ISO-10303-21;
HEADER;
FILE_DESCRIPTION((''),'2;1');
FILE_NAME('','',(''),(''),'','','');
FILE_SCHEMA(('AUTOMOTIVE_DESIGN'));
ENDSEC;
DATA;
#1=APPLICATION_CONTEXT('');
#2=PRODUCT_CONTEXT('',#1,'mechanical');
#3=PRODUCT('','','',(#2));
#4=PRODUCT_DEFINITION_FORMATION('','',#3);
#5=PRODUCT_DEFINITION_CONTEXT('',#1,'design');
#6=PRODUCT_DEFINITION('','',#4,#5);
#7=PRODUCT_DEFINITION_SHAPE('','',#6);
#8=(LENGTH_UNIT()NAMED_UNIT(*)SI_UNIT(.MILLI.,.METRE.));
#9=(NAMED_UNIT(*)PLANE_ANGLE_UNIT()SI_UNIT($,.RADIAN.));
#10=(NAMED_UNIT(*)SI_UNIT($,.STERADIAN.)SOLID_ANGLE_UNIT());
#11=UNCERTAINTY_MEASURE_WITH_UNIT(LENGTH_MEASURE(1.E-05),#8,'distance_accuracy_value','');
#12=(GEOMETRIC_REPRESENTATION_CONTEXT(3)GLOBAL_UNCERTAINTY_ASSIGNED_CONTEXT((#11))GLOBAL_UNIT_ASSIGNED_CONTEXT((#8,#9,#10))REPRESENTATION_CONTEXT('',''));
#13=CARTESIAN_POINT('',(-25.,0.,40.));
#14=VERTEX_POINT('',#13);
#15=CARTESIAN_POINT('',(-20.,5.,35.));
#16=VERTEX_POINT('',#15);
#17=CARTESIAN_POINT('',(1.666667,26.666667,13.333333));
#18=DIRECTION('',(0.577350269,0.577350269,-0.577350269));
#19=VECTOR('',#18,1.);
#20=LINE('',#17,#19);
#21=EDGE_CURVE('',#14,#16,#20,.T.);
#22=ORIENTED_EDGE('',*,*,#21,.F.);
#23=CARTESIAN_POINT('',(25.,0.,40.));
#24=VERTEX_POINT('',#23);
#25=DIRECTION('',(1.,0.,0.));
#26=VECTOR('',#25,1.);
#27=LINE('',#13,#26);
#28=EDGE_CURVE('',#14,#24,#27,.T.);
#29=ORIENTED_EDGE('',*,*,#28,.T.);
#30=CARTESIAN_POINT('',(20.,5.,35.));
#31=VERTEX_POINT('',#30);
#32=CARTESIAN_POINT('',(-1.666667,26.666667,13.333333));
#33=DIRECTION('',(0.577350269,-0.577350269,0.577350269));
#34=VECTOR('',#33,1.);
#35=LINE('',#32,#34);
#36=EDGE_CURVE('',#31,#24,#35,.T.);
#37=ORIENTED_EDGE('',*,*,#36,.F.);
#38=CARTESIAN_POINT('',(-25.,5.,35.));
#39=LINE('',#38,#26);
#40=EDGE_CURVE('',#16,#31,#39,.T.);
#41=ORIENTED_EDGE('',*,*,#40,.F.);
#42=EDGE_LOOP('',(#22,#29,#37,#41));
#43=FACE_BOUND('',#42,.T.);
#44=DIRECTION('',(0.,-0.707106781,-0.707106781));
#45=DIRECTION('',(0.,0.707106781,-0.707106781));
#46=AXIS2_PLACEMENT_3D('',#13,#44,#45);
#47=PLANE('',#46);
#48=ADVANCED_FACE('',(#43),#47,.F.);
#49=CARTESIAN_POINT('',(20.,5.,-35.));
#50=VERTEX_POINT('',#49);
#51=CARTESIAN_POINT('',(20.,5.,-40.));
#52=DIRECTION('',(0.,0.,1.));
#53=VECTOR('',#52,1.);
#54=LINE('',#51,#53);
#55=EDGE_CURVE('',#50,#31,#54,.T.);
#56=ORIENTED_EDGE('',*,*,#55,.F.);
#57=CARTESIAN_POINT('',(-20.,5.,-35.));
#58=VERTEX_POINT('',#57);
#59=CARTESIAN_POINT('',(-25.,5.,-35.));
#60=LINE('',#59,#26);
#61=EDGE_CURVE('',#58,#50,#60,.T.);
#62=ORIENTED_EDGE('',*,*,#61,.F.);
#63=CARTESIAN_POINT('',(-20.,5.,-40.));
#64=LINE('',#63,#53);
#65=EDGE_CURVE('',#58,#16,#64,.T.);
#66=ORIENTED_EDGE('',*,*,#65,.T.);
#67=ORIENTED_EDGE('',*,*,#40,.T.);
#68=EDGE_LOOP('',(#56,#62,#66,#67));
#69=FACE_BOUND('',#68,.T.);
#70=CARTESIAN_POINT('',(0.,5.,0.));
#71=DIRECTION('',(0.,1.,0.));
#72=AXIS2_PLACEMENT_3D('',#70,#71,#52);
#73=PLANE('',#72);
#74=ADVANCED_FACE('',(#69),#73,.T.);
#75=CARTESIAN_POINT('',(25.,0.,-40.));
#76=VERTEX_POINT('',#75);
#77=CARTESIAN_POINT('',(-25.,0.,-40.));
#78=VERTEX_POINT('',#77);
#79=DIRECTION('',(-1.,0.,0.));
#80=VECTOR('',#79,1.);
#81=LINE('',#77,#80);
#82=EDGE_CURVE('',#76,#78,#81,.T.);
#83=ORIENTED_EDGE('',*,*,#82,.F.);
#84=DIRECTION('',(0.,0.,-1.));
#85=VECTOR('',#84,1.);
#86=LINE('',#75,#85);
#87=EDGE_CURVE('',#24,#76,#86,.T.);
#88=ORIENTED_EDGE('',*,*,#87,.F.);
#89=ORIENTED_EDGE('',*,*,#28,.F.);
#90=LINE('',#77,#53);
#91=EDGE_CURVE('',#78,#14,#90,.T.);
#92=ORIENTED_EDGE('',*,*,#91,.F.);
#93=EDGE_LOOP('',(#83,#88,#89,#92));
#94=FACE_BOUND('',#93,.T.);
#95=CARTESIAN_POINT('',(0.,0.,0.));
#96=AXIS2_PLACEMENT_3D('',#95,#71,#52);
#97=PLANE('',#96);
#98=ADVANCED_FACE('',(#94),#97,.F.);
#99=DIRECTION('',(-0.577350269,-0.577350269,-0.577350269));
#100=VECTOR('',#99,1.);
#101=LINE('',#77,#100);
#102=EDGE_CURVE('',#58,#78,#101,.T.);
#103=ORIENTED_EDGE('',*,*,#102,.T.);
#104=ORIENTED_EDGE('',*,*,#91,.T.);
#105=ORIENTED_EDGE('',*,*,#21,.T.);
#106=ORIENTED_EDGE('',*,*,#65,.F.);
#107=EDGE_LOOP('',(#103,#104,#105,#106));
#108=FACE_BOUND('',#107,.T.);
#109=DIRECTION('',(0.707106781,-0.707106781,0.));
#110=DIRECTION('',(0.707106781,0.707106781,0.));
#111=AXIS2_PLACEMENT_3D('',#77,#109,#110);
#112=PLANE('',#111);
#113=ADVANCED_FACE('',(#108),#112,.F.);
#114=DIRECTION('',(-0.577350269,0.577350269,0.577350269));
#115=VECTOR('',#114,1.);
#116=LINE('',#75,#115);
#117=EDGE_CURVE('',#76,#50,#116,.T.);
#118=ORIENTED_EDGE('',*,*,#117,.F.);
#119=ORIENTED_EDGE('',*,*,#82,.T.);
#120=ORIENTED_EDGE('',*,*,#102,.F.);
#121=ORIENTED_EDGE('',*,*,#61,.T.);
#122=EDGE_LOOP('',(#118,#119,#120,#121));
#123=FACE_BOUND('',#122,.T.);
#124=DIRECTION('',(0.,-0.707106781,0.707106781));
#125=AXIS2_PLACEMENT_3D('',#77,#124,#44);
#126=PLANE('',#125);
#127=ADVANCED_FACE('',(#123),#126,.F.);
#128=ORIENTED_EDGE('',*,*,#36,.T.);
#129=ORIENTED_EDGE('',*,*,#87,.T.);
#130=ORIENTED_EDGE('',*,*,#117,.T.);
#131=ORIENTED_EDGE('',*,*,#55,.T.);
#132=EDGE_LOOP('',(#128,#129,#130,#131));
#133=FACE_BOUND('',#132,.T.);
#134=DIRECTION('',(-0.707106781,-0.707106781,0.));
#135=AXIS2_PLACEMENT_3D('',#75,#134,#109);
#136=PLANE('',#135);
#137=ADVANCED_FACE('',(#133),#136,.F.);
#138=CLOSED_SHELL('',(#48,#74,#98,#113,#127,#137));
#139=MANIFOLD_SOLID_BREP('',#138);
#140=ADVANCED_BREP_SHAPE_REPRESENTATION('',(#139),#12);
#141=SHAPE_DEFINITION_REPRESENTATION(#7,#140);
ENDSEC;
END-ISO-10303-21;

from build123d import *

# Parameters (mm, degrees)
SKETCH1_W               = 50
SKETCH1_H               = 80
BOSS_EXTRUDE1_DEPTH     = 5
CUT_EXTRUDE1_DEPTH      = 41
CUT_EXTRUDE1_DEPTH_BACK = 41
CUT_EXTRUDE2_DEPTH      = 26
CUT_EXTRUDE2_DEPTH_BACK = 26


with BuildPart() as part:
    # Sketch1 → Boss-Extrude1 (new body)
    with BuildSketch(Plane(origin=(0, 0, 0), x_dir=(1, 0, 0), z_dir=(0, 1, 0))):
        Rectangle(SKETCH1_W, SKETCH1_H)
    extrude(amount=BOSS_EXTRUDE1_DEPTH)

    # Sketch2 → Cut-Extrude1 (cut, two sides)
    with BuildSketch(Plane.XY) as cut_extrude1_sk:
        Polygon((-25, 0), (-20, 5), (-25, 5), align=None)
        Polygon((25, 0), (20, 5), (25, 5), align=None)
    extrude(amount=CUT_EXTRUDE1_DEPTH, mode=Mode.SUBTRACT)
    extrude(cut_extrude1_sk.sketch, amount=-CUT_EXTRUDE1_DEPTH_BACK, mode=Mode.SUBTRACT)

    # Sketch3 → Cut-Extrude2 (cut, two sides)
    with BuildSketch(Plane(origin=(0, 0, 0), x_dir=(0, 0, -1), z_dir=(1, 0, 0))) as cut_extrude2_sk:
        Polygon((-40, 0), (-35, 5), (-40, 5), align=None)
        Polygon((40, 0), (35, 5), (40, 5), align=None)
    extrude(amount=CUT_EXTRUDE2_DEPTH, mode=Mode.SUBTRACT)
    extrude(cut_extrude2_sk.sketch, amount=-CUT_EXTRUDE2_DEPTH_BACK, mode=Mode.SUBTRACT)


solid = part.part
